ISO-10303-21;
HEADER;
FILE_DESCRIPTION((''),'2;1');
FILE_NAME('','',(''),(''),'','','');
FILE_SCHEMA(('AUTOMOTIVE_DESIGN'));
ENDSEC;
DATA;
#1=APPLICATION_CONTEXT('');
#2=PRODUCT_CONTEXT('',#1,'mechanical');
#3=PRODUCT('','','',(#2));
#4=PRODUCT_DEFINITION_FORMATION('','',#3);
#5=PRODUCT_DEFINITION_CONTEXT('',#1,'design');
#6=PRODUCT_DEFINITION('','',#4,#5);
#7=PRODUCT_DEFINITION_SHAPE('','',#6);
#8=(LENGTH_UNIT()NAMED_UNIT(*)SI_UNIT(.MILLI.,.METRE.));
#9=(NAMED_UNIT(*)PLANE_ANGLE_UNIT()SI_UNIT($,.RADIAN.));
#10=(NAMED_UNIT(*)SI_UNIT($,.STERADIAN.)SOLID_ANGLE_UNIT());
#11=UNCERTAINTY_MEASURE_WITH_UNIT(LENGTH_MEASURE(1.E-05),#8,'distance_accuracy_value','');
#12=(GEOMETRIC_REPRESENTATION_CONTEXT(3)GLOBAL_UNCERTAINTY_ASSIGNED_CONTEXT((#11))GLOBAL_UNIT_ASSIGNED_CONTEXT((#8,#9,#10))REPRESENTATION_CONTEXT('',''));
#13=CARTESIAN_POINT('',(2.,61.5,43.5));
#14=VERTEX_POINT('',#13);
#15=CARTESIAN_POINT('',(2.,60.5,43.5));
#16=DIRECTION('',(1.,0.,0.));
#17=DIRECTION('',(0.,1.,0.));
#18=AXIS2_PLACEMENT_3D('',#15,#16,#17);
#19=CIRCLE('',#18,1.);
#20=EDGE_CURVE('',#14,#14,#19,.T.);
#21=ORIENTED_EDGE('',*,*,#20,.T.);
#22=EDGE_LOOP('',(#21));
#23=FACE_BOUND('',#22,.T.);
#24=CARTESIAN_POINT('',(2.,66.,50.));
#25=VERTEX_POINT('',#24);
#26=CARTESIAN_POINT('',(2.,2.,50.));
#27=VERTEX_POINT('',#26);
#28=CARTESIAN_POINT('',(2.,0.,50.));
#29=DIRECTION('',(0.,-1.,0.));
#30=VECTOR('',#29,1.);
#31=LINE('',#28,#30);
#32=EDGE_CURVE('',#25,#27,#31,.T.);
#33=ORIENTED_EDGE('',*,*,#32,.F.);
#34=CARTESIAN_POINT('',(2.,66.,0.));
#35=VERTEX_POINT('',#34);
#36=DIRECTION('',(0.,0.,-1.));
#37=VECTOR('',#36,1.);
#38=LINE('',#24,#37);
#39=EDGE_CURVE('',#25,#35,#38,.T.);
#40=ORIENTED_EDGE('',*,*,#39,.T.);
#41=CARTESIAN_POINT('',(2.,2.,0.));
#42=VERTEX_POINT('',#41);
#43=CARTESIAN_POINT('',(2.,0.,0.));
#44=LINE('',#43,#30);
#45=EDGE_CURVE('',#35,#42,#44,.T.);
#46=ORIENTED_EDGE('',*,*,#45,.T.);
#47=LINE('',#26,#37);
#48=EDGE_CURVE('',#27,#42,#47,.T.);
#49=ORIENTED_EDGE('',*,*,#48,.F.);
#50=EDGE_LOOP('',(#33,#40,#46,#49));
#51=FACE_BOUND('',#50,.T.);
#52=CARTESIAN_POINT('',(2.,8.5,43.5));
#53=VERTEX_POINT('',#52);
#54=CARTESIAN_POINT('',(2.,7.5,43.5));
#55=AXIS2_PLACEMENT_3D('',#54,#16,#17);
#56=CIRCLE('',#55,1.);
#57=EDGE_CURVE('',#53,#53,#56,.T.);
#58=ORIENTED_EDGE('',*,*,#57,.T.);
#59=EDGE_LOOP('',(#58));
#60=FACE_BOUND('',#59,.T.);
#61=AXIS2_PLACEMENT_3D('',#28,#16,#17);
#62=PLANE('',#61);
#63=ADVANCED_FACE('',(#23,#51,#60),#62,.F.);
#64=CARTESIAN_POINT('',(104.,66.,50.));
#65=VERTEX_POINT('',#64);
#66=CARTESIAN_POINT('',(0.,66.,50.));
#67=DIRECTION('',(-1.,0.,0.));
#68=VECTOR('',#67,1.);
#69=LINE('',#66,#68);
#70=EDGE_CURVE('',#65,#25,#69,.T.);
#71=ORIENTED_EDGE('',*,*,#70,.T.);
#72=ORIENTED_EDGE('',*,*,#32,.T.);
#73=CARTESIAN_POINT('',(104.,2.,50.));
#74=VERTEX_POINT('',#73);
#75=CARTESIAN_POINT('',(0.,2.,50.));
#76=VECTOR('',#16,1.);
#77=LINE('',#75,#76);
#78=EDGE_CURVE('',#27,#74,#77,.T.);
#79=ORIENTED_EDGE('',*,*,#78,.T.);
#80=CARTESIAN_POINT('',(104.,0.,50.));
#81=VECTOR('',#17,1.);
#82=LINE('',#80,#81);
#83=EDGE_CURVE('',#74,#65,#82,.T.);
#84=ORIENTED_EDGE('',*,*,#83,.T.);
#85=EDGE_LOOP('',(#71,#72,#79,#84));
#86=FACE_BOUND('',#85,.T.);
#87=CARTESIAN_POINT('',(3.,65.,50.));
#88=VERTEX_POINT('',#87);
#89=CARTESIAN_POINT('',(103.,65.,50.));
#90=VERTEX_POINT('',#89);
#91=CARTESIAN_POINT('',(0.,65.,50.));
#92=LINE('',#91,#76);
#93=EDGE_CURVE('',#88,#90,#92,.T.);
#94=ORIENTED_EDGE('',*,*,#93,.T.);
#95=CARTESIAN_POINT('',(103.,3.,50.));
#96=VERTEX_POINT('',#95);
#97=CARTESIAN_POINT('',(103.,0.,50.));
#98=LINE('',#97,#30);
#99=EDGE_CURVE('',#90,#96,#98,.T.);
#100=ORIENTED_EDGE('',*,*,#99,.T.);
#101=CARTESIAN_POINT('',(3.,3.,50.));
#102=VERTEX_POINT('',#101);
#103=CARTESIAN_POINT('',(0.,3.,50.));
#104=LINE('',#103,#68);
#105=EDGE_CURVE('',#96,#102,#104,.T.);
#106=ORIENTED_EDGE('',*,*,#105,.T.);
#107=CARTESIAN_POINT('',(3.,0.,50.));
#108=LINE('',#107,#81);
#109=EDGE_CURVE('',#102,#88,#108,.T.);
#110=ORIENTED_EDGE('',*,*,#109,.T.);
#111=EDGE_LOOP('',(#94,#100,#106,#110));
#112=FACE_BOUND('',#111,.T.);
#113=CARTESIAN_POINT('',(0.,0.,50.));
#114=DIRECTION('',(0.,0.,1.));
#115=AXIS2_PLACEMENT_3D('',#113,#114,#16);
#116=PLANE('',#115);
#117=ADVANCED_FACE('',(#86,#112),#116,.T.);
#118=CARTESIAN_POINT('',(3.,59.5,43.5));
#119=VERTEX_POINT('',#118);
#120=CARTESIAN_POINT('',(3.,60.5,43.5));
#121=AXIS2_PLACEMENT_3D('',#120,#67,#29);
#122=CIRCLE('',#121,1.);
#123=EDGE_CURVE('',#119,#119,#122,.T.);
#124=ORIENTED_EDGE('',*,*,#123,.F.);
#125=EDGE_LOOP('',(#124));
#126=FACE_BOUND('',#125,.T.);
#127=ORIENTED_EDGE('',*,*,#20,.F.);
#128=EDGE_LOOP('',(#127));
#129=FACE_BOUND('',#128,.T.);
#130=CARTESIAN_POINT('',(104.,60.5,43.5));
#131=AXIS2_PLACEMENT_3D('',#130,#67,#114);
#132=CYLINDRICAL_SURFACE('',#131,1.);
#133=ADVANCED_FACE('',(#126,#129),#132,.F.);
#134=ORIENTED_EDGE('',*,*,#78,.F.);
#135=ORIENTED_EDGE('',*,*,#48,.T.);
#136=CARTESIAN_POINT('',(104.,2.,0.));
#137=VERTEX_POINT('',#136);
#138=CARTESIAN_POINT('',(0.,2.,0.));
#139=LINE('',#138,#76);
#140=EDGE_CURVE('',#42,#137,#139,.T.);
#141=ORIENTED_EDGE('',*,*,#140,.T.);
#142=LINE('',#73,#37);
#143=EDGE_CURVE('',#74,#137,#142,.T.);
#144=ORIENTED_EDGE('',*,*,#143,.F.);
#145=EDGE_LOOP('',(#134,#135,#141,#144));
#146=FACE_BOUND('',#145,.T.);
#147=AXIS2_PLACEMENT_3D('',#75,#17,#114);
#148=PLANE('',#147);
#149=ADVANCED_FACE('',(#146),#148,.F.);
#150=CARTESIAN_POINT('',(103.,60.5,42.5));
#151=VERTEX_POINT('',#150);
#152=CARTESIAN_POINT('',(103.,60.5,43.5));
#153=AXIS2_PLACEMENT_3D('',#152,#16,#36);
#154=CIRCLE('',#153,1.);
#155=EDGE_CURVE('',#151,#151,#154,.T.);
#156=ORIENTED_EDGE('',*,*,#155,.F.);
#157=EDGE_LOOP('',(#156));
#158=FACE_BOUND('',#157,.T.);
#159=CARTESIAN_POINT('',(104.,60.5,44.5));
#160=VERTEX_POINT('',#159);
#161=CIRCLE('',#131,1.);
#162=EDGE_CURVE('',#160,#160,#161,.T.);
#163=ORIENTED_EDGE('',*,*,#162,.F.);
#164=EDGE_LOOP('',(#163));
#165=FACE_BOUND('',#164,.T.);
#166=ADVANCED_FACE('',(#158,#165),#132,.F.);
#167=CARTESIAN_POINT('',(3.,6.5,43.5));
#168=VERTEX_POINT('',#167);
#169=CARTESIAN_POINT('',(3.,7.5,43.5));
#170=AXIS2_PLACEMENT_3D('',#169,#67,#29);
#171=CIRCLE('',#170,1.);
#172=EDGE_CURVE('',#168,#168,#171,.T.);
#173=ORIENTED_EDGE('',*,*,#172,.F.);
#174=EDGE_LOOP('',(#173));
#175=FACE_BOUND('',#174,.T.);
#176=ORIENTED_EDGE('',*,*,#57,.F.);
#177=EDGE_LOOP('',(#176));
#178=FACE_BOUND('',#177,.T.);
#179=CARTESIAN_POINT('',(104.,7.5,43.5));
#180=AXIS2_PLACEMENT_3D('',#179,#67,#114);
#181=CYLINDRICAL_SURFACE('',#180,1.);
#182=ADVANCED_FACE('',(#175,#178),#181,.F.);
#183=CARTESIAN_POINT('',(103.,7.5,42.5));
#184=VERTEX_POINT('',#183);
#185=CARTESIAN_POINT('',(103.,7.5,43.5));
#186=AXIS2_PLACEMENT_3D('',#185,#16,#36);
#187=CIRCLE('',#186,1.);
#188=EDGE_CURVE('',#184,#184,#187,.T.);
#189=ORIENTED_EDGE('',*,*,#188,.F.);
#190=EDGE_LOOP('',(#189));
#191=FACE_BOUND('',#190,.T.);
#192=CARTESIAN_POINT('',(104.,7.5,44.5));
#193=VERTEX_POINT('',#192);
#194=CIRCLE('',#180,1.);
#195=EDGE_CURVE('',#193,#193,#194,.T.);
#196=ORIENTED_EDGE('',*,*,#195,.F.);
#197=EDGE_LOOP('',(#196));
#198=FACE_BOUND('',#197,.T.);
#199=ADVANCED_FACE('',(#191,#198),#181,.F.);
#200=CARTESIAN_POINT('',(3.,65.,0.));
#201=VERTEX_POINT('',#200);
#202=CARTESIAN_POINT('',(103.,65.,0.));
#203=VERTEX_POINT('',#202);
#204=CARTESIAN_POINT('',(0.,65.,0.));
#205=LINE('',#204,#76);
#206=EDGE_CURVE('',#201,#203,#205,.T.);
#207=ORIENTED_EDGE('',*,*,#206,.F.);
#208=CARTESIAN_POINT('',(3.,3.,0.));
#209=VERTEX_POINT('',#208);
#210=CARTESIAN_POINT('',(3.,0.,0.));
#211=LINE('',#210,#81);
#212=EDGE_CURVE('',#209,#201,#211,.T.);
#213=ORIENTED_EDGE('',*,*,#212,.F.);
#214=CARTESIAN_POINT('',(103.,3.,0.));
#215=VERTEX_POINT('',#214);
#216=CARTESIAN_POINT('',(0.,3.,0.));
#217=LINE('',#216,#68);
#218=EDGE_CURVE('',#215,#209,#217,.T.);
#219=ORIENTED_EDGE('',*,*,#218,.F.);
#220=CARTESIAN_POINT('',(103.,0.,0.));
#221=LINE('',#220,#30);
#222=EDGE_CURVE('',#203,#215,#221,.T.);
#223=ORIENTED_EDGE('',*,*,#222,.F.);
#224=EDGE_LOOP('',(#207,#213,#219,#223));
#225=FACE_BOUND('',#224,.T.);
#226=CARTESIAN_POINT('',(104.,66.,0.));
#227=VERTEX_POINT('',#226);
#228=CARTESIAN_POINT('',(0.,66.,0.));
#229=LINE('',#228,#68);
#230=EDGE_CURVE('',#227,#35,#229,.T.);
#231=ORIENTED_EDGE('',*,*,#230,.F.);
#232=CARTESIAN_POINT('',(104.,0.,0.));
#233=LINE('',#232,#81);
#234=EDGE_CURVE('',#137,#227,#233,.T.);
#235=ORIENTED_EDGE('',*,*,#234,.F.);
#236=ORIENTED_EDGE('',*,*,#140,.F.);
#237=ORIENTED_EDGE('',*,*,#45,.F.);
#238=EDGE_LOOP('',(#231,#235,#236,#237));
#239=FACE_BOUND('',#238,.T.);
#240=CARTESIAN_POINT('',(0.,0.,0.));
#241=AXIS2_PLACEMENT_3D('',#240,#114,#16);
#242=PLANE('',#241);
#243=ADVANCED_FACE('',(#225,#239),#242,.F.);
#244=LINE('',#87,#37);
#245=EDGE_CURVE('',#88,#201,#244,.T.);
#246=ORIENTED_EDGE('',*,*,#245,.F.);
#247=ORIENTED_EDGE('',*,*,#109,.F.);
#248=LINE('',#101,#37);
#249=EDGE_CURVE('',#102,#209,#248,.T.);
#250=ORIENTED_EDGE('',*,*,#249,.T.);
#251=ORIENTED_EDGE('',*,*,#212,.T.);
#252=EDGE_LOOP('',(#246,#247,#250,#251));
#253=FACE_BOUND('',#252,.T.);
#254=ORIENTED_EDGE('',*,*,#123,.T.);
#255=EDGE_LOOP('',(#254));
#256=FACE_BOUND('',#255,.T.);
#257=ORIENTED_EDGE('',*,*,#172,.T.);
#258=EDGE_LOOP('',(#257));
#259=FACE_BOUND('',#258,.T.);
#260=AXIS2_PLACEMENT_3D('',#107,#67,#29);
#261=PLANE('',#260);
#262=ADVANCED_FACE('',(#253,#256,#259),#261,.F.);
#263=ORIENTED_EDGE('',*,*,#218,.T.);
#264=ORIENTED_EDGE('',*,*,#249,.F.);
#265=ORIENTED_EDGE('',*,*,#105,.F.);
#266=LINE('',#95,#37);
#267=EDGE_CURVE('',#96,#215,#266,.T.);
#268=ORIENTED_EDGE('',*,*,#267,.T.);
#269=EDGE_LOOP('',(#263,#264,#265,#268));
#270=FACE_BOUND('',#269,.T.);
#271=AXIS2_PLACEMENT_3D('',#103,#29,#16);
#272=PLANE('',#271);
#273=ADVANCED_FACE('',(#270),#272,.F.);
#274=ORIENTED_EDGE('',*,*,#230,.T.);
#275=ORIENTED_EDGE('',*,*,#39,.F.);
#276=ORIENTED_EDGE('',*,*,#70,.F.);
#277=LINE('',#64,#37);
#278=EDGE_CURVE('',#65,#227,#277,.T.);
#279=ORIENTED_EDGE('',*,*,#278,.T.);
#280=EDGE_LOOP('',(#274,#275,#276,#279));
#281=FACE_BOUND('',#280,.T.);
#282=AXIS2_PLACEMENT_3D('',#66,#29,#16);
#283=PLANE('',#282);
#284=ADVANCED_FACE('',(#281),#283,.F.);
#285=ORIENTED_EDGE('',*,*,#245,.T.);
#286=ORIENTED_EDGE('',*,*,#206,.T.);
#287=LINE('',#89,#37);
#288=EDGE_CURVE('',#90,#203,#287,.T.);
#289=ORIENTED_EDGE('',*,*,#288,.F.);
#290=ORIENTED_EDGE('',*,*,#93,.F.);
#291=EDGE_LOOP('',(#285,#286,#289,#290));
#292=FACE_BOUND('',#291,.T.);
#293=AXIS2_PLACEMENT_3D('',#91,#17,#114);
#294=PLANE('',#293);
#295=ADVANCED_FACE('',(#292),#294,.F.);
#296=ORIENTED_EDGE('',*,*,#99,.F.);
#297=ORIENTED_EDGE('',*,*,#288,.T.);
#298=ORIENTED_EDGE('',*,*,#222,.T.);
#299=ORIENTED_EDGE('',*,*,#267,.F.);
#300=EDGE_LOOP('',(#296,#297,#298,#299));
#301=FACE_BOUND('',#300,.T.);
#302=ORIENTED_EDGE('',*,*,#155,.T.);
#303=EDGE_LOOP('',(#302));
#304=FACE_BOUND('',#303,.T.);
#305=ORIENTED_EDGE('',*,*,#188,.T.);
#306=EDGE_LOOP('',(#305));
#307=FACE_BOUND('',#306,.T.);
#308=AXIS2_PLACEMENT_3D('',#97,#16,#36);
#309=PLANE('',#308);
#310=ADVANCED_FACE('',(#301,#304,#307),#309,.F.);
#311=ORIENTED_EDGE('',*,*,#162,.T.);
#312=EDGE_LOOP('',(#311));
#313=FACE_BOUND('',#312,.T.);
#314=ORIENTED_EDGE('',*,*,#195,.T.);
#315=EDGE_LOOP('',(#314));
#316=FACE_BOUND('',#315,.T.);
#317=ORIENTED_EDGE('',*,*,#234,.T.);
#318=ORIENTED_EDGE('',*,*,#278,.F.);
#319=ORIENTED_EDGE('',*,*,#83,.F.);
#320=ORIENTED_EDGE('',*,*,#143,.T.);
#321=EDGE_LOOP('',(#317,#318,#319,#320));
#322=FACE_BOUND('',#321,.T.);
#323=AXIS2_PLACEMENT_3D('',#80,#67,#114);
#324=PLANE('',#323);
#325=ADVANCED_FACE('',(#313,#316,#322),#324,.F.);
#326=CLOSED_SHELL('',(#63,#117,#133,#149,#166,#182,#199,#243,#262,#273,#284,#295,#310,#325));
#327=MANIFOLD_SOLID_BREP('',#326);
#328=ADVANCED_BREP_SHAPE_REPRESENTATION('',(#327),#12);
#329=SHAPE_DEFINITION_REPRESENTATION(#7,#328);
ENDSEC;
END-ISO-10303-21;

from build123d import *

# Parameters (mm, degrees)
SKETCH_1_W               = 102
SKETCH_1_H               = 64
SKETCH_1_W_2             = 100
SKETCH_1_H_2             = 62
EXTRUDE_1_DEPTH          = 50
CUT_EXTRUDE_2_DEPTH      = 102
CUT_EXTRUDE_2_DEPTH_BACK = 1
SKETCH_5_R               = 1


with BuildPart() as part:
    # Эскиз1 → Бобышка-Вытянуть1 (new body)
    with BuildSketch(Plane.XY):
        with Locations((53, 34)):
            Rectangle(SKETCH_1_W, SKETCH_1_H)
        with Locations((53, 34)):
            Rectangle(SKETCH_1_W_2, SKETCH_1_H_2, mode=Mode.SUBTRACT)
    extrude(amount=EXTRUDE_1_DEPTH)

    # Эскиз5 → Вырез-Вытянуть2 (cut, two sides: drawn at the far end of the back side and taken through both)
    with BuildSketch(Plane.ZY.offset(-103).offset(-CUT_EXTRUDE_2_DEPTH_BACK)):
        with Locations((43.5, 7.5)):
            Circle(SKETCH_5_R)
        with Locations((43.5, 60.5)):
            Circle(SKETCH_5_R)
    extrude(amount=CUT_EXTRUDE_2_DEPTH + CUT_EXTRUDE_2_DEPTH_BACK, mode=Mode.SUBTRACT)


solid = part.part
